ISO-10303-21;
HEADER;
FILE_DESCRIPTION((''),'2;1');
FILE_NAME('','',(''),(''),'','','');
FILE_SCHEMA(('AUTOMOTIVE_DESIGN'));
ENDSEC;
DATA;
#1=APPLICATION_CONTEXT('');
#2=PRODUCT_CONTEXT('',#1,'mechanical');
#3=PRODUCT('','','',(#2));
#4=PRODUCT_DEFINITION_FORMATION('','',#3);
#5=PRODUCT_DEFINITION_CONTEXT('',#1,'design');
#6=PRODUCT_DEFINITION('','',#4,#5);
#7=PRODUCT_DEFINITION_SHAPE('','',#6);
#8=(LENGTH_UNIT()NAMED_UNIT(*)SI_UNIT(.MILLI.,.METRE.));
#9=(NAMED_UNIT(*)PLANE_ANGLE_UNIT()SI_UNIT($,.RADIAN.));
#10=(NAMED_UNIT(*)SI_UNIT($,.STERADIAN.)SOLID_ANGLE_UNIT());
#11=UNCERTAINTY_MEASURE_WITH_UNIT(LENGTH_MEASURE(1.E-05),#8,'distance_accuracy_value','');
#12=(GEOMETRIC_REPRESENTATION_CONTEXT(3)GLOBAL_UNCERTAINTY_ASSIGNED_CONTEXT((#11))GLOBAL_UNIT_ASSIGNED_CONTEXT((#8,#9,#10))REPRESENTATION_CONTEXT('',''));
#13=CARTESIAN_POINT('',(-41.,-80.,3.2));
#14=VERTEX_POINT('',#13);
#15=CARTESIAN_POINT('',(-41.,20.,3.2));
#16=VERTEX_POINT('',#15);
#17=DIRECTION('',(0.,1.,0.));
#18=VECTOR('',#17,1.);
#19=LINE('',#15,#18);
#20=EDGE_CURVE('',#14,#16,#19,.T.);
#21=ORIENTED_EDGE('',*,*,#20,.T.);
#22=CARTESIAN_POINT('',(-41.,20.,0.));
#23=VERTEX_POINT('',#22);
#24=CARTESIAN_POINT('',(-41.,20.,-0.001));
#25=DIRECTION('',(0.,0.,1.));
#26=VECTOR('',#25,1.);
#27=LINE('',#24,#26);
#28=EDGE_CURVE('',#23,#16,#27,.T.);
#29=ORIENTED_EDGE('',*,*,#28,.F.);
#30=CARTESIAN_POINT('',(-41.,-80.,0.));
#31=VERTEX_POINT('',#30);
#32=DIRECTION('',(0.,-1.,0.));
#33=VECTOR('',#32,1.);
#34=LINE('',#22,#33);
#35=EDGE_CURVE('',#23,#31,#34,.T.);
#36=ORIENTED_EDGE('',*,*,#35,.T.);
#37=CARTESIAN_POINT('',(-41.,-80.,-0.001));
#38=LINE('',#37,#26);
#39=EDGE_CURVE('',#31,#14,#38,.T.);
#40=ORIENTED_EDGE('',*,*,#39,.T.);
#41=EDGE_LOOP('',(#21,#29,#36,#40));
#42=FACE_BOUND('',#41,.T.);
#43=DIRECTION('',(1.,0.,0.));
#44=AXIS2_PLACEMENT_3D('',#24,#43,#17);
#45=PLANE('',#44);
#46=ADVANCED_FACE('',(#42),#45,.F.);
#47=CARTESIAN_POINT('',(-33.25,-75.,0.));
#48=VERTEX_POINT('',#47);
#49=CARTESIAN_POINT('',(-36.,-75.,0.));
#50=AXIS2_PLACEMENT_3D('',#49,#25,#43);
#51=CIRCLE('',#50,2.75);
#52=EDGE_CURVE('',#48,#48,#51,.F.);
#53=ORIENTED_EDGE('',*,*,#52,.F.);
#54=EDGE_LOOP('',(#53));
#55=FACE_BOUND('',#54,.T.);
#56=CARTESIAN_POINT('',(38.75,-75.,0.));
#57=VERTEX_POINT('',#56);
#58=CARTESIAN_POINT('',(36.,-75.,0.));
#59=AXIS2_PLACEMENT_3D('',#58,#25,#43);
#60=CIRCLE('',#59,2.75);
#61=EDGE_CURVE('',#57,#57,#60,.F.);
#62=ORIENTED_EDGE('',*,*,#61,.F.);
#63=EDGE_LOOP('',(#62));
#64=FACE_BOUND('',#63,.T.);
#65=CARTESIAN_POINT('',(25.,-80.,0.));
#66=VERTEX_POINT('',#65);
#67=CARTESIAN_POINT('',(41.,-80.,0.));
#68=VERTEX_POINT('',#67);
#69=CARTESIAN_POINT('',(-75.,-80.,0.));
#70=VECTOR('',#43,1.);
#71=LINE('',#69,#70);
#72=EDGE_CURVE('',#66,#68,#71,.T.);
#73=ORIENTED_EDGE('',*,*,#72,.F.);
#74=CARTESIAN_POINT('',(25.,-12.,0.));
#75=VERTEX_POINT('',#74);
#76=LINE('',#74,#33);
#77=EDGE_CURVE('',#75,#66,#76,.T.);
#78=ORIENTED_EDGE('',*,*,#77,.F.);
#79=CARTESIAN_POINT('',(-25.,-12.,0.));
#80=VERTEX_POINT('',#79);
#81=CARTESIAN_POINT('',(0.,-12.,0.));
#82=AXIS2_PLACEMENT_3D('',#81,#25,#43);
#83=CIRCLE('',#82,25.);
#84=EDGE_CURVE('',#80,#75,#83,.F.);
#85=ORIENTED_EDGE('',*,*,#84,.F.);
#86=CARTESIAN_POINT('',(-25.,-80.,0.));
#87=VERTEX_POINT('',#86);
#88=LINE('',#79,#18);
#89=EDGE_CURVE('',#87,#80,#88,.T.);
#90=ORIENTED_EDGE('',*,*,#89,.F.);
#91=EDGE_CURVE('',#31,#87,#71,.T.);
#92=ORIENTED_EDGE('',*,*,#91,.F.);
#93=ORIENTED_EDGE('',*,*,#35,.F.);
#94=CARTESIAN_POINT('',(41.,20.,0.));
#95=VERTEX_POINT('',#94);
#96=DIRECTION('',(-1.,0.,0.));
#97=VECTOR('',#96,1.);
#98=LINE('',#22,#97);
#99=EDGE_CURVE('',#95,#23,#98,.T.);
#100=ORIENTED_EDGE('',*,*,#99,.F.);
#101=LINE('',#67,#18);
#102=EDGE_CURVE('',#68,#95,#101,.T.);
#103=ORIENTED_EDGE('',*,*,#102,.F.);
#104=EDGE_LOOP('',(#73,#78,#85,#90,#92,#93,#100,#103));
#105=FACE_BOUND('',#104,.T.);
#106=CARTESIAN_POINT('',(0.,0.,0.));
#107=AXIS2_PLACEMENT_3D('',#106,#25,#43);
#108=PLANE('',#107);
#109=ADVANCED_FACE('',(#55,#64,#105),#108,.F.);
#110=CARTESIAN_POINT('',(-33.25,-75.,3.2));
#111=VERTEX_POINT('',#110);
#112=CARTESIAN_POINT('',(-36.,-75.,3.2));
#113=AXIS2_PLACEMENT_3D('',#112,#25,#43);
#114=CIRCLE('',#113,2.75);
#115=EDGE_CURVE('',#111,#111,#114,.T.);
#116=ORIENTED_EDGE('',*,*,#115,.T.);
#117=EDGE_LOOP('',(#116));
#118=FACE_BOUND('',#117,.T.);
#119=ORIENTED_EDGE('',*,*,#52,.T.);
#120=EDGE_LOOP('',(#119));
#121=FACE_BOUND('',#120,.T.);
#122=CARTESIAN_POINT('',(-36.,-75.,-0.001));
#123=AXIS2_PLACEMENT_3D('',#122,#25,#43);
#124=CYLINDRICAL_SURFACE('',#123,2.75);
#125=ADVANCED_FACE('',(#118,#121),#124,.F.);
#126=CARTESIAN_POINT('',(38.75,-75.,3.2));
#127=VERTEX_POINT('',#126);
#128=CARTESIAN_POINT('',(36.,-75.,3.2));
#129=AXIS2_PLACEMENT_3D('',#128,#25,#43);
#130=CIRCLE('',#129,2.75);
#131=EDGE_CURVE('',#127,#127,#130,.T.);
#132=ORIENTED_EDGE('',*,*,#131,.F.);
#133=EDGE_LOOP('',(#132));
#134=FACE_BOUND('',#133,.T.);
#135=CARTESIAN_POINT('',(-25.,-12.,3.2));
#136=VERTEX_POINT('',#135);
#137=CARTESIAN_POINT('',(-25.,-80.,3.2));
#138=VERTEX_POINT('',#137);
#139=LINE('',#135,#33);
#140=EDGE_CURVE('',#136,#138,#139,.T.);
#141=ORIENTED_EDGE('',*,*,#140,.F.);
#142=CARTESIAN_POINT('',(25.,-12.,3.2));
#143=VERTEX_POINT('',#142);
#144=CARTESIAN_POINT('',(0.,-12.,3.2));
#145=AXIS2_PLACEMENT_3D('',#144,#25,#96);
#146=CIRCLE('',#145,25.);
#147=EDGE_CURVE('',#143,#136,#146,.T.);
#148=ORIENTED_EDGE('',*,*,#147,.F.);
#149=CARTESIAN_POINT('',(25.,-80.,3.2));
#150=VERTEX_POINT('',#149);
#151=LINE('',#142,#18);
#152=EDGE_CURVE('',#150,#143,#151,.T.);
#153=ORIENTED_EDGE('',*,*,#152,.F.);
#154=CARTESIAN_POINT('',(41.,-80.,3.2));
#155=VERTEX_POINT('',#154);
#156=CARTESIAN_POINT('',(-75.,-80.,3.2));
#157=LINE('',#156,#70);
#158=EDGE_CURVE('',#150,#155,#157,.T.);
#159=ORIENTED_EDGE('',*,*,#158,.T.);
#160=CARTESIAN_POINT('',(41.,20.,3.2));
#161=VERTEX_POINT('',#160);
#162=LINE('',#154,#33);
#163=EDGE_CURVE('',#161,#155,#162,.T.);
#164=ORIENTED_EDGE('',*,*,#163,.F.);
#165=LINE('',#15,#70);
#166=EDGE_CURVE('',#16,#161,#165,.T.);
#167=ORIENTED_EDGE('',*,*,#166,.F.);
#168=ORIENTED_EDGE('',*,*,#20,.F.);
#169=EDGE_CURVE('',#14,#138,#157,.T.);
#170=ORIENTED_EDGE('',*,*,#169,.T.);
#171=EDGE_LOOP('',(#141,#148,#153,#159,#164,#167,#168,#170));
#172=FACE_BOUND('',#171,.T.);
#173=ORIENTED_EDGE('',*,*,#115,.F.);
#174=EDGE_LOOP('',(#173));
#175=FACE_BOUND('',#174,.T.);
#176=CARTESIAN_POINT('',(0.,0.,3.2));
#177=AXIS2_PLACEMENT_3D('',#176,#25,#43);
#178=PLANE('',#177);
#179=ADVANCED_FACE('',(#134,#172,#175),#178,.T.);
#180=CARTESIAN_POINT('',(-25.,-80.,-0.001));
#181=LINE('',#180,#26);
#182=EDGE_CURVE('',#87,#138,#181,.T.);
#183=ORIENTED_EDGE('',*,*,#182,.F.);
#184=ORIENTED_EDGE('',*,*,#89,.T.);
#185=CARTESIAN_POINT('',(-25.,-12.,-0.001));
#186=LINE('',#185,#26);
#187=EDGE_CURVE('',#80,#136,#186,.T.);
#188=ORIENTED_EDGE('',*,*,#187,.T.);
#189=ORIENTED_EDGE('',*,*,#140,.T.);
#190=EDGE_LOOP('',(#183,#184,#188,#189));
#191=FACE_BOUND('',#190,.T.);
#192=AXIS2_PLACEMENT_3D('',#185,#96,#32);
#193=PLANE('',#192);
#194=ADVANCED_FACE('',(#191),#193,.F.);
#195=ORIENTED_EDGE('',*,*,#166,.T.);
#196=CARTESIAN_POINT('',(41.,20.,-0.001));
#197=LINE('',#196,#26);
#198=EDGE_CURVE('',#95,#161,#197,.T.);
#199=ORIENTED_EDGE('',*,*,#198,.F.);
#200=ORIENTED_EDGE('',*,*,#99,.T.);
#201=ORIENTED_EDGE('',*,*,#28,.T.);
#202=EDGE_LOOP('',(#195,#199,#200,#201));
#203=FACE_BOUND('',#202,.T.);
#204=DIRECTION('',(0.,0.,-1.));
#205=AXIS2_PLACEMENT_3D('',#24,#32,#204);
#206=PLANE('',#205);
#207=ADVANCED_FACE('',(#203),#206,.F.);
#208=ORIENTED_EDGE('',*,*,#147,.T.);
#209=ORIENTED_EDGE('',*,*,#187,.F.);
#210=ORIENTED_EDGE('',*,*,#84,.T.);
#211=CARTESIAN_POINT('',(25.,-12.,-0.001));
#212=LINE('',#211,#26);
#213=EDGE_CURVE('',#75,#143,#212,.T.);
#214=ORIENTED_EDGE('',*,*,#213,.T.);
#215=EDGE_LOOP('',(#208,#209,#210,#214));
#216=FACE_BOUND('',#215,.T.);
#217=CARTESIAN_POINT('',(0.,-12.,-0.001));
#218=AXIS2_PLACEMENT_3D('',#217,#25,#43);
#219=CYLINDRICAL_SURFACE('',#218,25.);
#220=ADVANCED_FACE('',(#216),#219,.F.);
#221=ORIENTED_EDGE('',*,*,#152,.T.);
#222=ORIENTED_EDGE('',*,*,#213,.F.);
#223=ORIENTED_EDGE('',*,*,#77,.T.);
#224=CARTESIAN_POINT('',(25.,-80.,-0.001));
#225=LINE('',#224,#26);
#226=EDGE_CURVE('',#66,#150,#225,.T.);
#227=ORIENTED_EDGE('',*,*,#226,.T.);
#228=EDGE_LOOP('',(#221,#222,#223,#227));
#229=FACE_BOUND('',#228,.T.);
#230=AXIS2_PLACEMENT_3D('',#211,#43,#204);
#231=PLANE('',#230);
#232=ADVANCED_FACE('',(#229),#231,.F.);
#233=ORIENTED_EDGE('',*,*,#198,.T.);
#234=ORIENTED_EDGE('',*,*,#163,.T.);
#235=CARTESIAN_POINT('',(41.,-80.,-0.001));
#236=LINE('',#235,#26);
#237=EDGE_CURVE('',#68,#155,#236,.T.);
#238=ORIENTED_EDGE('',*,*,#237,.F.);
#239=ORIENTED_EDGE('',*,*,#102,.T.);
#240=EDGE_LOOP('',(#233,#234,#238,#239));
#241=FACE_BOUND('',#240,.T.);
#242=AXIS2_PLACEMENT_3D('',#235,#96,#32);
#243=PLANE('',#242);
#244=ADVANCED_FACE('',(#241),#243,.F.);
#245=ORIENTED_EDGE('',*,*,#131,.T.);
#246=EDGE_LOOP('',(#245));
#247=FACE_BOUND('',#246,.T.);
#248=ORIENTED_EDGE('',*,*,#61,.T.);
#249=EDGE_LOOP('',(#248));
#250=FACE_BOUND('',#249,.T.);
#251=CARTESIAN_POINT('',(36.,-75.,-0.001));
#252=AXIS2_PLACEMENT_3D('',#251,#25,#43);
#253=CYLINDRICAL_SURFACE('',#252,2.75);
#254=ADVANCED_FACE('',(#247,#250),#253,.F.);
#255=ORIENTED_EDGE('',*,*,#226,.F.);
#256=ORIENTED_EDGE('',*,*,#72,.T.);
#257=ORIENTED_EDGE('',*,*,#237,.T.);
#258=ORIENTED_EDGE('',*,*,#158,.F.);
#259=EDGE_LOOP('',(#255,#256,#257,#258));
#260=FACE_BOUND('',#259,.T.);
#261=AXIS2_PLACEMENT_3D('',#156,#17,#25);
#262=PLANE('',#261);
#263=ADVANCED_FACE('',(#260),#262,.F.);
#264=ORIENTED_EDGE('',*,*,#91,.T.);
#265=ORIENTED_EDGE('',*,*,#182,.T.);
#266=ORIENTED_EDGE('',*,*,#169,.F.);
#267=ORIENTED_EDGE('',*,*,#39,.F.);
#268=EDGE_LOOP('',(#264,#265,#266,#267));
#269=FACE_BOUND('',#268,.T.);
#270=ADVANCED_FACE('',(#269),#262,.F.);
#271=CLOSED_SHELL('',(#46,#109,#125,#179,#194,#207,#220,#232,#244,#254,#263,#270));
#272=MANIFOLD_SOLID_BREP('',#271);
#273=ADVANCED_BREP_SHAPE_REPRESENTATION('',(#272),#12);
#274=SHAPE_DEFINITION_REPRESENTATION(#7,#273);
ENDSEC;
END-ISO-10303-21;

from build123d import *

# Parameters (mm, degrees)
SKETCH1_W           = 150
SKETCH1_H           = 160
BOSS_EXTRUDE1_DEPTH = 3.2
CUT_EXTRUDE1_REACH  = 5.2
CUT_EXTRUDE2_REACH  = 5.2
SKETCH3_R           = 2.75


with BuildPart() as part:
    # Sketch1 → Boss-Extrude1 (new body)
    with BuildSketch(Plane.XY):
        Rectangle(SKETCH1_W, SKETCH1_H)
    extrude(amount=BOSS_EXTRUDE1_DEPTH)

    # Sketch2 → Cut-Extrude1 (cut, up to next)
    with BuildSketch(Plane.XY.offset(3.2), mode=Mode.PRIVATE) as cut_extrude1_sk1:
        with BuildLine():
            Line((-25, -12), (-25, -80))
            Line((-25, -80), (25, -80))
            Line((25, -80), (25, -12))
            ThreePointArc((25, -12), (0, 13), (-25, -12))
        make_face()
    cut_extrude1_tool1 = extrude(cut_extrude1_sk1.sketch, amount=-CUT_EXTRUDE1_REACH, mode=Mode.PRIVATE) & part.part
    add(cut_extrude1_tool1.solids().sort_by_distance((0, -36.004881, 3.2))[0], mode=Mode.SUBTRACT)

    # Sketch3 → Cut-Extrude2 (cut, up to next)
    with BuildSketch(Plane.XY.offset(3.2), mode=Mode.PRIVATE) as cut_extrude2_sk1:
        with Locations((36, -75)):
            Circle(SKETCH3_R)
    cut_extrude2_tool1 = extrude(cut_extrude2_sk1.sketch, amount=-CUT_EXTRUDE2_REACH, mode=Mode.PRIVATE) & part.part
    add(cut_extrude2_tool1.solids().sort_by_distance((36, -75, 3.2))[0], mode=Mode.SUBTRACT)
    # Sketch3 → Cut-Extrude2 (cut, up to next)
    with BuildSketch(Plane.XY.offset(3.2), mode=Mode.PRIVATE) as cut_extrude2_sk2:
        with Locations((-36, -75)):
            Circle(SKETCH3_R)
    cut_extrude2_tool2 = extrude(cut_extrude2_sk2.sketch, amount=-CUT_EXTRUDE2_REACH, mode=Mode.PRIVATE) & part.part
    add(cut_extrude2_tool2.solids().sort_by_distance((-36, -75, 3.2))[0], mode=Mode.SUBTRACT)
    # Sketch3 → Cut-Extrude2 (cut, up to next)
    with BuildSketch(Plane.XY.offset(3.2), mode=Mode.PRIVATE) as cut_extrude2_sk3:
        Polygon((-41, 20), (-41, -80), (-75, -80), (-75, 80), (75, 80), (75, -80), (41, -80), (41, 20), align=None)
    cut_extrude2_tool3 = extrude(cut_extrude2_sk3.sketch, amount=-CUT_EXTRUDE2_REACH, mode=Mode.PRIVATE) & part.part
    add(cut_extrude2_tool3.solids().sort_by_distance((-43.193171, -30, 3.2))[0], mode=Mode.SUBTRACT)


solid = part.part
